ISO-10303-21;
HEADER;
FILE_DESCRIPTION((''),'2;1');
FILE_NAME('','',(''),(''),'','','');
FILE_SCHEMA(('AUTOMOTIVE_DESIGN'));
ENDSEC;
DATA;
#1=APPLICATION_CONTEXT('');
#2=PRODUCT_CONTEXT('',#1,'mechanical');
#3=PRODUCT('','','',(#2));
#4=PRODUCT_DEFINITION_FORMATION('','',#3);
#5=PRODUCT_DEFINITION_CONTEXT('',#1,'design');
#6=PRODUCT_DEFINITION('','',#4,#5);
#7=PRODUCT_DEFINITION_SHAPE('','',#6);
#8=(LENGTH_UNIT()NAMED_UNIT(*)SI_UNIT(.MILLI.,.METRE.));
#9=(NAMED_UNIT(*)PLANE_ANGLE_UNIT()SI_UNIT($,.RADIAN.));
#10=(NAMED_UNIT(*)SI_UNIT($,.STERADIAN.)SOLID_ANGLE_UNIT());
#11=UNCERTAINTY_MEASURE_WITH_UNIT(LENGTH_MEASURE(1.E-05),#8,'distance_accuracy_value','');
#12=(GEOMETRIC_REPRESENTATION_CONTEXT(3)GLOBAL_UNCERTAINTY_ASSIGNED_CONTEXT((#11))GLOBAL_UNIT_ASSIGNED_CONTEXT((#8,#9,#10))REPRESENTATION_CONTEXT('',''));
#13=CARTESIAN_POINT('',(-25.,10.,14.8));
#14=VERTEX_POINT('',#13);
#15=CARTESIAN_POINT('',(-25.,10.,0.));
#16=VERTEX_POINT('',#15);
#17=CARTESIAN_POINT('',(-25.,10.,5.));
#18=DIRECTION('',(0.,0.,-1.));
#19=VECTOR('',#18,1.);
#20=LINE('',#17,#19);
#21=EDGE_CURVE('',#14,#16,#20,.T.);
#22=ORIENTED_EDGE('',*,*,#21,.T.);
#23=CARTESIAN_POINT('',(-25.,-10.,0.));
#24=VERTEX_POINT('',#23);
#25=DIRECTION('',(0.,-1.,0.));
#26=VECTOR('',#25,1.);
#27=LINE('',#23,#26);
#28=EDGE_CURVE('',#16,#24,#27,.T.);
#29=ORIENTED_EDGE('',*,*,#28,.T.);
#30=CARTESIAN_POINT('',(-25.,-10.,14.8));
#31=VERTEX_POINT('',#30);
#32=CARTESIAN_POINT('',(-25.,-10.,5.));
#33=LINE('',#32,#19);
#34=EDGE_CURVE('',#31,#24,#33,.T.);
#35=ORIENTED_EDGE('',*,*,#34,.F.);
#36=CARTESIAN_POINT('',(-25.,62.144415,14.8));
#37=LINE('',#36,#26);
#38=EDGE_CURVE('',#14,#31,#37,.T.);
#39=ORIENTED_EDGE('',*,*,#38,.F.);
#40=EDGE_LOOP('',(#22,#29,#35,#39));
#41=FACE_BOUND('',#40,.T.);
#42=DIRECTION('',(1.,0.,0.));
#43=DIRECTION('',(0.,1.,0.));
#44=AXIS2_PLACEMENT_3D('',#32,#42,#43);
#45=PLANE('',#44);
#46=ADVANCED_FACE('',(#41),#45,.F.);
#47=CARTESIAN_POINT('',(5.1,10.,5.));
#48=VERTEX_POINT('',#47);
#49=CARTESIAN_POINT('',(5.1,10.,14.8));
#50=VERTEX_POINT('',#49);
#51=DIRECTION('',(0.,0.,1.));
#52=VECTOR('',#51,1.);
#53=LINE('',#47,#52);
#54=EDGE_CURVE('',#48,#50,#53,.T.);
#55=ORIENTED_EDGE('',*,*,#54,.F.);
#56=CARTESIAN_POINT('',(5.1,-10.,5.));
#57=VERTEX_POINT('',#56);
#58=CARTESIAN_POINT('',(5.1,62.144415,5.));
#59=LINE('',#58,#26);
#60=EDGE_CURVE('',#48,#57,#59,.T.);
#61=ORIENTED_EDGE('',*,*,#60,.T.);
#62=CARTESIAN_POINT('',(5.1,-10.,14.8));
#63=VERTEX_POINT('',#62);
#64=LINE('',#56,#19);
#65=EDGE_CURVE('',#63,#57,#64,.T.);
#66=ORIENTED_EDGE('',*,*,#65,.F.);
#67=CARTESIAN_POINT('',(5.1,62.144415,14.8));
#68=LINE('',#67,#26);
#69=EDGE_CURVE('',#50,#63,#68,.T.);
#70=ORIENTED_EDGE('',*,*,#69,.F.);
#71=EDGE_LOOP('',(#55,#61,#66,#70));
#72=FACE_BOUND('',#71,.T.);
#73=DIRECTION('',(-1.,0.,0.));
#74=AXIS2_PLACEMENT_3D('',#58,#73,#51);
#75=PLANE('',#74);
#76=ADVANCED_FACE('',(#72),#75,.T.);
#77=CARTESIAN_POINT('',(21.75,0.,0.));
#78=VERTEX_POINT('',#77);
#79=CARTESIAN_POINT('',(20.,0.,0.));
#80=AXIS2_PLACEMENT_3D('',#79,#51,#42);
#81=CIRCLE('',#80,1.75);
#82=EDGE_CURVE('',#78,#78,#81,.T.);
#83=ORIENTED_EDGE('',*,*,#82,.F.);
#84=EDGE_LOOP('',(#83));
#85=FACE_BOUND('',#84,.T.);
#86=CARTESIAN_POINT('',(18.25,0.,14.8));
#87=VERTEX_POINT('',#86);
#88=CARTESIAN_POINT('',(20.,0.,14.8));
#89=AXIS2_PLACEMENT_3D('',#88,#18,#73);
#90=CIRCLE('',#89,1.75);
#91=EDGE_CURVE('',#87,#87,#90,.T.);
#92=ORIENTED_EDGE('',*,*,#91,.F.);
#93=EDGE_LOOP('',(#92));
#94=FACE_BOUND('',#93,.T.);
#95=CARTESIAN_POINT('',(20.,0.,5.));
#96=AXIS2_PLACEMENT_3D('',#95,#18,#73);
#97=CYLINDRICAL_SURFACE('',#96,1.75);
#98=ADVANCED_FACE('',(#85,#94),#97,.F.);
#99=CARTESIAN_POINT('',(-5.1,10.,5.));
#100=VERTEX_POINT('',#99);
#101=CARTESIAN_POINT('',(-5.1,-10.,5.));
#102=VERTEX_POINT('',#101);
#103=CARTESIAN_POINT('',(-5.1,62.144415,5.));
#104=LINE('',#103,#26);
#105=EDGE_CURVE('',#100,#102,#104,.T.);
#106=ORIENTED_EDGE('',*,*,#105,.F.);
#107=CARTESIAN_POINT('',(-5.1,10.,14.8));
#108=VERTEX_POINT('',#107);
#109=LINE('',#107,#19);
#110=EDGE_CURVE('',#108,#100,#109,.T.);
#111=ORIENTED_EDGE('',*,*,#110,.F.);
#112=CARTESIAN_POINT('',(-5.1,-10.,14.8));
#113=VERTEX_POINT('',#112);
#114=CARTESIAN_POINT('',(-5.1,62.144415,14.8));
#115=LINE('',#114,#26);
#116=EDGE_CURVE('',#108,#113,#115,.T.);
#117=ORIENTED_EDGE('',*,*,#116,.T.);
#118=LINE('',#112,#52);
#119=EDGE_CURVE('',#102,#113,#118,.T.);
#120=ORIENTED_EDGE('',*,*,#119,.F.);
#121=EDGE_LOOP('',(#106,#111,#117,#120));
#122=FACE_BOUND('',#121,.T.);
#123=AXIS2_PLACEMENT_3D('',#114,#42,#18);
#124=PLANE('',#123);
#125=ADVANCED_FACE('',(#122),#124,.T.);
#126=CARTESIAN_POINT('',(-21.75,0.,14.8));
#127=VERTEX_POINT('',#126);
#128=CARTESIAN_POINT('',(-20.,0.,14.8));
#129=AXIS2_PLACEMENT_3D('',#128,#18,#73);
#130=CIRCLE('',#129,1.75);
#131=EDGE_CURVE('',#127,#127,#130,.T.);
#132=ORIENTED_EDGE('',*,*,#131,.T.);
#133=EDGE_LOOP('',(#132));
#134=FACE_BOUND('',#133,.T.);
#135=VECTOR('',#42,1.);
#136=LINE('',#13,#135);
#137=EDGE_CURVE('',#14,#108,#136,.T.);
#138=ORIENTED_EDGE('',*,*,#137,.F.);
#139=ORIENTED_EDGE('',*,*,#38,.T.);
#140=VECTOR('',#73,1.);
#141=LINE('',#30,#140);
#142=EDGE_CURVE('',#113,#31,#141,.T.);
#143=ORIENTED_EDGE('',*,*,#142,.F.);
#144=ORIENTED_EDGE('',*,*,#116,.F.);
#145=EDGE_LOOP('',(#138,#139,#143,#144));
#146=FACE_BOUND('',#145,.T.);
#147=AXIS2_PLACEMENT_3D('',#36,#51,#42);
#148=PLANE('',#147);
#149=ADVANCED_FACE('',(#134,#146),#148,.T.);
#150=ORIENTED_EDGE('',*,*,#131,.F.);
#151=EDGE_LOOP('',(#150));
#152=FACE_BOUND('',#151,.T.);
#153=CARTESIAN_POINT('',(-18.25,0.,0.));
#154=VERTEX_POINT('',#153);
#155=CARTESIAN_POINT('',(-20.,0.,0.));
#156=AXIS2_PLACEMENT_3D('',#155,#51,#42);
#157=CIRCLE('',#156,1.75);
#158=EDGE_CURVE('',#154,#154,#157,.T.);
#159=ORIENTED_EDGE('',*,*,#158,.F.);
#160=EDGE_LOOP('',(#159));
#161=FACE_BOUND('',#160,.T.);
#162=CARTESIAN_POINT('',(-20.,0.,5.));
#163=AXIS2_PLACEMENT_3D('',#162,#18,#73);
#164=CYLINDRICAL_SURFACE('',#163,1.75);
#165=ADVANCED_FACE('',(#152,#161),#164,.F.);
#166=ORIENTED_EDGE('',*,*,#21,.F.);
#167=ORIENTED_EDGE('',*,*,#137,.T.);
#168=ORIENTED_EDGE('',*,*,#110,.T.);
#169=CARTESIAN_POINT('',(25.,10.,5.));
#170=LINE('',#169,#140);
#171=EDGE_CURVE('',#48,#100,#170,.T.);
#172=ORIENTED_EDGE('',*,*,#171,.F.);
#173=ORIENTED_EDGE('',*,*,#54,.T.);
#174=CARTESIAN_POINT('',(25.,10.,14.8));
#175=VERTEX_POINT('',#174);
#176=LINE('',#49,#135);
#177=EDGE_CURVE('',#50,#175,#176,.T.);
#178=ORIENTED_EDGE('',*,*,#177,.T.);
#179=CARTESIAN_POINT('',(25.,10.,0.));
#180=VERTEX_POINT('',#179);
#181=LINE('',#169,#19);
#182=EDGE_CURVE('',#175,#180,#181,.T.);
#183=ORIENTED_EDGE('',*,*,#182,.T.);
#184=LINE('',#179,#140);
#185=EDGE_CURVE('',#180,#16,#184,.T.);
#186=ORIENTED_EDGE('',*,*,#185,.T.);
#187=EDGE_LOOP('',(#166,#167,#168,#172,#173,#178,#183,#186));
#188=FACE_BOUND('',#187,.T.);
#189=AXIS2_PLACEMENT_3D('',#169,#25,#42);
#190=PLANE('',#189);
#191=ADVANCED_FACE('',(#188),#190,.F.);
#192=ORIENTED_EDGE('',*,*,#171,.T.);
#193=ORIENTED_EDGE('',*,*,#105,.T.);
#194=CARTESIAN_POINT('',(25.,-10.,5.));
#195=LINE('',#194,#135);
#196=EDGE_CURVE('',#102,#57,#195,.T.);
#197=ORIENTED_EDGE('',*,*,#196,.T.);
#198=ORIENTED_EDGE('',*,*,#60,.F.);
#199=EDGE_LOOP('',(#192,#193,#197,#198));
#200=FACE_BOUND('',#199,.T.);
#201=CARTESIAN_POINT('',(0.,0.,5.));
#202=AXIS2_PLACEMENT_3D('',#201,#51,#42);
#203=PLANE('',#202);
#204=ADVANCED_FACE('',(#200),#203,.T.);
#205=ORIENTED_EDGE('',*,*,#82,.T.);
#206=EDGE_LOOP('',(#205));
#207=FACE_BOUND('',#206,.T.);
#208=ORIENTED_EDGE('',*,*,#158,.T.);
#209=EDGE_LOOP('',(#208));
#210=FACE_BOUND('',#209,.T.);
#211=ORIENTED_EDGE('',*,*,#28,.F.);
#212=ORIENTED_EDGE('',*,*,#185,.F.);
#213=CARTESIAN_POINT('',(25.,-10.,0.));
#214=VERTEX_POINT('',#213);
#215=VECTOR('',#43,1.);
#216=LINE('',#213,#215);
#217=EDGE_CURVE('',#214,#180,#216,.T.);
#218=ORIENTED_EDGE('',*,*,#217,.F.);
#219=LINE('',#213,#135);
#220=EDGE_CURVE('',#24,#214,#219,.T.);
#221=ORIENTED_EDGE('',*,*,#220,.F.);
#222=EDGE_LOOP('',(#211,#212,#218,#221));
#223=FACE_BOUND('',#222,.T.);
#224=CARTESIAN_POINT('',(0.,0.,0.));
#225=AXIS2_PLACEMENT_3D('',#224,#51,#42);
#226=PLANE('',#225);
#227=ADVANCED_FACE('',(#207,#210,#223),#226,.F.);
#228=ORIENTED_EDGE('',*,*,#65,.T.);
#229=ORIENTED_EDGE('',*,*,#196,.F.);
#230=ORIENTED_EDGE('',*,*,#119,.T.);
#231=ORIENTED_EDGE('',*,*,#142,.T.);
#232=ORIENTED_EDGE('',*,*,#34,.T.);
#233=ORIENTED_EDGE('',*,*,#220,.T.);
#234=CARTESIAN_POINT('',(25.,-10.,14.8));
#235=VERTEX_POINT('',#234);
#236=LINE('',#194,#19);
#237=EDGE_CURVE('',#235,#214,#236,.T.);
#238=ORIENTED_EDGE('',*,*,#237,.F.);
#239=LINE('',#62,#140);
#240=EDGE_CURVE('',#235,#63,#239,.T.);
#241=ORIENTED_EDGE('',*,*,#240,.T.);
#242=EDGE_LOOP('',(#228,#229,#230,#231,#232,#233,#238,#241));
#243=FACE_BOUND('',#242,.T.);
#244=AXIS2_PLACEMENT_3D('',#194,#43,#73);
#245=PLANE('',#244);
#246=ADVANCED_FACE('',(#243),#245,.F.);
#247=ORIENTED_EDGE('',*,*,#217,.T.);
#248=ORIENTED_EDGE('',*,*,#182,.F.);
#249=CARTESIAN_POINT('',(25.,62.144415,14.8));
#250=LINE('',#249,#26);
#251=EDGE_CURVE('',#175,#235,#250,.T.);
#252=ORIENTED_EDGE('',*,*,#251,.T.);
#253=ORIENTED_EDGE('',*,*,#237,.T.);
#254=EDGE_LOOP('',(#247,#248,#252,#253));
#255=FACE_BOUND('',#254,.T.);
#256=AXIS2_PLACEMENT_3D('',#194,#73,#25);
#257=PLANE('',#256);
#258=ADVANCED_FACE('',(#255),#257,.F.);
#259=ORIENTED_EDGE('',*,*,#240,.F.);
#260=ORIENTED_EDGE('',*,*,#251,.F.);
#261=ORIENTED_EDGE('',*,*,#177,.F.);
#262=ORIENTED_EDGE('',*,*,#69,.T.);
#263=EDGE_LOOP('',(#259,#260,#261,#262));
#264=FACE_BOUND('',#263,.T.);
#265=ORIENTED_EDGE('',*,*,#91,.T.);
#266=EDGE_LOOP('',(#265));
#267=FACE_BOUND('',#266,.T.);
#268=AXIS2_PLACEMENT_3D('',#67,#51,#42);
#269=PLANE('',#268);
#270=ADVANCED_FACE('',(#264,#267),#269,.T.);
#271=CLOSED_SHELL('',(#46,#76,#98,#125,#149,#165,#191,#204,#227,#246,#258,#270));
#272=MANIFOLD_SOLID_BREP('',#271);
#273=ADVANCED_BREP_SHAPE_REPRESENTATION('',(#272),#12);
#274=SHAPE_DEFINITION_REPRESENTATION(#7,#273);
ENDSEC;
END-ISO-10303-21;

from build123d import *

# Parameters (mm, degrees)
SKETCH2_W           = 50
SKETCH2_H           = 20
SKETCH2_R           = 1.75
BOSS_EXTRUDE1_DEPTH = 5
BOSS_EXTRUDE2_DEPTH = 20
SKETCH6_R           = 1.75
CUT_EXTRUDE1_DEPTH  = 15.8


with BuildPart() as part:
    # Sketch2 → Boss-Extrude1 (new body)
    with BuildSketch(Plane.XY):
        Rectangle(SKETCH2_W, SKETCH2_H)
        with Locations((-20, 0)):
            Circle(SKETCH2_R, mode=Mode.SUBTRACT)
        with Locations((20, 0)):
            Circle(SKETCH2_R, mode=Mode.SUBTRACT)
    extrude(amount=BOSS_EXTRUDE1_DEPTH)

    # Sketch5 → Boss-Extrude2 (add)
    with BuildSketch(Plane.XZ.offset(10)):
        with BuildLine():
            Line((-25, 5), (-25, 14.8))
            Line((-25, 14.8), (-5.1, 14.8))
            Line((-5.1, 14.8), (-5.1, 5))
            Line((-5.1, 5), (5.1, 5))
            Line((5.1, 5), (5.1, 14.8))
            Line((5.1, 14.8), (25, 14.8))
            Line((25, 14.8), (25, 5))
            ThreePointArc((25, 5), (0, 0), (-25, 5))
        make_face()
    extrude(amount=-BOSS_EXTRUDE2_DEPTH)

    # Sketch6 → Cut-Extrude1 (cut, through all)
    with BuildSketch(Plane(origin=(0, 0, 0), x_dir=(-1, 0, 0), z_dir=(0, 0, -1))):
        with Locations((20, 0)):
            Circle(SKETCH6_R)
        with Locations((-20, 0)):
            Circle(SKETCH6_R)
    extrude(amount=-CUT_EXTRUDE1_DEPTH, mode=Mode.SUBTRACT)


solid = part.part
